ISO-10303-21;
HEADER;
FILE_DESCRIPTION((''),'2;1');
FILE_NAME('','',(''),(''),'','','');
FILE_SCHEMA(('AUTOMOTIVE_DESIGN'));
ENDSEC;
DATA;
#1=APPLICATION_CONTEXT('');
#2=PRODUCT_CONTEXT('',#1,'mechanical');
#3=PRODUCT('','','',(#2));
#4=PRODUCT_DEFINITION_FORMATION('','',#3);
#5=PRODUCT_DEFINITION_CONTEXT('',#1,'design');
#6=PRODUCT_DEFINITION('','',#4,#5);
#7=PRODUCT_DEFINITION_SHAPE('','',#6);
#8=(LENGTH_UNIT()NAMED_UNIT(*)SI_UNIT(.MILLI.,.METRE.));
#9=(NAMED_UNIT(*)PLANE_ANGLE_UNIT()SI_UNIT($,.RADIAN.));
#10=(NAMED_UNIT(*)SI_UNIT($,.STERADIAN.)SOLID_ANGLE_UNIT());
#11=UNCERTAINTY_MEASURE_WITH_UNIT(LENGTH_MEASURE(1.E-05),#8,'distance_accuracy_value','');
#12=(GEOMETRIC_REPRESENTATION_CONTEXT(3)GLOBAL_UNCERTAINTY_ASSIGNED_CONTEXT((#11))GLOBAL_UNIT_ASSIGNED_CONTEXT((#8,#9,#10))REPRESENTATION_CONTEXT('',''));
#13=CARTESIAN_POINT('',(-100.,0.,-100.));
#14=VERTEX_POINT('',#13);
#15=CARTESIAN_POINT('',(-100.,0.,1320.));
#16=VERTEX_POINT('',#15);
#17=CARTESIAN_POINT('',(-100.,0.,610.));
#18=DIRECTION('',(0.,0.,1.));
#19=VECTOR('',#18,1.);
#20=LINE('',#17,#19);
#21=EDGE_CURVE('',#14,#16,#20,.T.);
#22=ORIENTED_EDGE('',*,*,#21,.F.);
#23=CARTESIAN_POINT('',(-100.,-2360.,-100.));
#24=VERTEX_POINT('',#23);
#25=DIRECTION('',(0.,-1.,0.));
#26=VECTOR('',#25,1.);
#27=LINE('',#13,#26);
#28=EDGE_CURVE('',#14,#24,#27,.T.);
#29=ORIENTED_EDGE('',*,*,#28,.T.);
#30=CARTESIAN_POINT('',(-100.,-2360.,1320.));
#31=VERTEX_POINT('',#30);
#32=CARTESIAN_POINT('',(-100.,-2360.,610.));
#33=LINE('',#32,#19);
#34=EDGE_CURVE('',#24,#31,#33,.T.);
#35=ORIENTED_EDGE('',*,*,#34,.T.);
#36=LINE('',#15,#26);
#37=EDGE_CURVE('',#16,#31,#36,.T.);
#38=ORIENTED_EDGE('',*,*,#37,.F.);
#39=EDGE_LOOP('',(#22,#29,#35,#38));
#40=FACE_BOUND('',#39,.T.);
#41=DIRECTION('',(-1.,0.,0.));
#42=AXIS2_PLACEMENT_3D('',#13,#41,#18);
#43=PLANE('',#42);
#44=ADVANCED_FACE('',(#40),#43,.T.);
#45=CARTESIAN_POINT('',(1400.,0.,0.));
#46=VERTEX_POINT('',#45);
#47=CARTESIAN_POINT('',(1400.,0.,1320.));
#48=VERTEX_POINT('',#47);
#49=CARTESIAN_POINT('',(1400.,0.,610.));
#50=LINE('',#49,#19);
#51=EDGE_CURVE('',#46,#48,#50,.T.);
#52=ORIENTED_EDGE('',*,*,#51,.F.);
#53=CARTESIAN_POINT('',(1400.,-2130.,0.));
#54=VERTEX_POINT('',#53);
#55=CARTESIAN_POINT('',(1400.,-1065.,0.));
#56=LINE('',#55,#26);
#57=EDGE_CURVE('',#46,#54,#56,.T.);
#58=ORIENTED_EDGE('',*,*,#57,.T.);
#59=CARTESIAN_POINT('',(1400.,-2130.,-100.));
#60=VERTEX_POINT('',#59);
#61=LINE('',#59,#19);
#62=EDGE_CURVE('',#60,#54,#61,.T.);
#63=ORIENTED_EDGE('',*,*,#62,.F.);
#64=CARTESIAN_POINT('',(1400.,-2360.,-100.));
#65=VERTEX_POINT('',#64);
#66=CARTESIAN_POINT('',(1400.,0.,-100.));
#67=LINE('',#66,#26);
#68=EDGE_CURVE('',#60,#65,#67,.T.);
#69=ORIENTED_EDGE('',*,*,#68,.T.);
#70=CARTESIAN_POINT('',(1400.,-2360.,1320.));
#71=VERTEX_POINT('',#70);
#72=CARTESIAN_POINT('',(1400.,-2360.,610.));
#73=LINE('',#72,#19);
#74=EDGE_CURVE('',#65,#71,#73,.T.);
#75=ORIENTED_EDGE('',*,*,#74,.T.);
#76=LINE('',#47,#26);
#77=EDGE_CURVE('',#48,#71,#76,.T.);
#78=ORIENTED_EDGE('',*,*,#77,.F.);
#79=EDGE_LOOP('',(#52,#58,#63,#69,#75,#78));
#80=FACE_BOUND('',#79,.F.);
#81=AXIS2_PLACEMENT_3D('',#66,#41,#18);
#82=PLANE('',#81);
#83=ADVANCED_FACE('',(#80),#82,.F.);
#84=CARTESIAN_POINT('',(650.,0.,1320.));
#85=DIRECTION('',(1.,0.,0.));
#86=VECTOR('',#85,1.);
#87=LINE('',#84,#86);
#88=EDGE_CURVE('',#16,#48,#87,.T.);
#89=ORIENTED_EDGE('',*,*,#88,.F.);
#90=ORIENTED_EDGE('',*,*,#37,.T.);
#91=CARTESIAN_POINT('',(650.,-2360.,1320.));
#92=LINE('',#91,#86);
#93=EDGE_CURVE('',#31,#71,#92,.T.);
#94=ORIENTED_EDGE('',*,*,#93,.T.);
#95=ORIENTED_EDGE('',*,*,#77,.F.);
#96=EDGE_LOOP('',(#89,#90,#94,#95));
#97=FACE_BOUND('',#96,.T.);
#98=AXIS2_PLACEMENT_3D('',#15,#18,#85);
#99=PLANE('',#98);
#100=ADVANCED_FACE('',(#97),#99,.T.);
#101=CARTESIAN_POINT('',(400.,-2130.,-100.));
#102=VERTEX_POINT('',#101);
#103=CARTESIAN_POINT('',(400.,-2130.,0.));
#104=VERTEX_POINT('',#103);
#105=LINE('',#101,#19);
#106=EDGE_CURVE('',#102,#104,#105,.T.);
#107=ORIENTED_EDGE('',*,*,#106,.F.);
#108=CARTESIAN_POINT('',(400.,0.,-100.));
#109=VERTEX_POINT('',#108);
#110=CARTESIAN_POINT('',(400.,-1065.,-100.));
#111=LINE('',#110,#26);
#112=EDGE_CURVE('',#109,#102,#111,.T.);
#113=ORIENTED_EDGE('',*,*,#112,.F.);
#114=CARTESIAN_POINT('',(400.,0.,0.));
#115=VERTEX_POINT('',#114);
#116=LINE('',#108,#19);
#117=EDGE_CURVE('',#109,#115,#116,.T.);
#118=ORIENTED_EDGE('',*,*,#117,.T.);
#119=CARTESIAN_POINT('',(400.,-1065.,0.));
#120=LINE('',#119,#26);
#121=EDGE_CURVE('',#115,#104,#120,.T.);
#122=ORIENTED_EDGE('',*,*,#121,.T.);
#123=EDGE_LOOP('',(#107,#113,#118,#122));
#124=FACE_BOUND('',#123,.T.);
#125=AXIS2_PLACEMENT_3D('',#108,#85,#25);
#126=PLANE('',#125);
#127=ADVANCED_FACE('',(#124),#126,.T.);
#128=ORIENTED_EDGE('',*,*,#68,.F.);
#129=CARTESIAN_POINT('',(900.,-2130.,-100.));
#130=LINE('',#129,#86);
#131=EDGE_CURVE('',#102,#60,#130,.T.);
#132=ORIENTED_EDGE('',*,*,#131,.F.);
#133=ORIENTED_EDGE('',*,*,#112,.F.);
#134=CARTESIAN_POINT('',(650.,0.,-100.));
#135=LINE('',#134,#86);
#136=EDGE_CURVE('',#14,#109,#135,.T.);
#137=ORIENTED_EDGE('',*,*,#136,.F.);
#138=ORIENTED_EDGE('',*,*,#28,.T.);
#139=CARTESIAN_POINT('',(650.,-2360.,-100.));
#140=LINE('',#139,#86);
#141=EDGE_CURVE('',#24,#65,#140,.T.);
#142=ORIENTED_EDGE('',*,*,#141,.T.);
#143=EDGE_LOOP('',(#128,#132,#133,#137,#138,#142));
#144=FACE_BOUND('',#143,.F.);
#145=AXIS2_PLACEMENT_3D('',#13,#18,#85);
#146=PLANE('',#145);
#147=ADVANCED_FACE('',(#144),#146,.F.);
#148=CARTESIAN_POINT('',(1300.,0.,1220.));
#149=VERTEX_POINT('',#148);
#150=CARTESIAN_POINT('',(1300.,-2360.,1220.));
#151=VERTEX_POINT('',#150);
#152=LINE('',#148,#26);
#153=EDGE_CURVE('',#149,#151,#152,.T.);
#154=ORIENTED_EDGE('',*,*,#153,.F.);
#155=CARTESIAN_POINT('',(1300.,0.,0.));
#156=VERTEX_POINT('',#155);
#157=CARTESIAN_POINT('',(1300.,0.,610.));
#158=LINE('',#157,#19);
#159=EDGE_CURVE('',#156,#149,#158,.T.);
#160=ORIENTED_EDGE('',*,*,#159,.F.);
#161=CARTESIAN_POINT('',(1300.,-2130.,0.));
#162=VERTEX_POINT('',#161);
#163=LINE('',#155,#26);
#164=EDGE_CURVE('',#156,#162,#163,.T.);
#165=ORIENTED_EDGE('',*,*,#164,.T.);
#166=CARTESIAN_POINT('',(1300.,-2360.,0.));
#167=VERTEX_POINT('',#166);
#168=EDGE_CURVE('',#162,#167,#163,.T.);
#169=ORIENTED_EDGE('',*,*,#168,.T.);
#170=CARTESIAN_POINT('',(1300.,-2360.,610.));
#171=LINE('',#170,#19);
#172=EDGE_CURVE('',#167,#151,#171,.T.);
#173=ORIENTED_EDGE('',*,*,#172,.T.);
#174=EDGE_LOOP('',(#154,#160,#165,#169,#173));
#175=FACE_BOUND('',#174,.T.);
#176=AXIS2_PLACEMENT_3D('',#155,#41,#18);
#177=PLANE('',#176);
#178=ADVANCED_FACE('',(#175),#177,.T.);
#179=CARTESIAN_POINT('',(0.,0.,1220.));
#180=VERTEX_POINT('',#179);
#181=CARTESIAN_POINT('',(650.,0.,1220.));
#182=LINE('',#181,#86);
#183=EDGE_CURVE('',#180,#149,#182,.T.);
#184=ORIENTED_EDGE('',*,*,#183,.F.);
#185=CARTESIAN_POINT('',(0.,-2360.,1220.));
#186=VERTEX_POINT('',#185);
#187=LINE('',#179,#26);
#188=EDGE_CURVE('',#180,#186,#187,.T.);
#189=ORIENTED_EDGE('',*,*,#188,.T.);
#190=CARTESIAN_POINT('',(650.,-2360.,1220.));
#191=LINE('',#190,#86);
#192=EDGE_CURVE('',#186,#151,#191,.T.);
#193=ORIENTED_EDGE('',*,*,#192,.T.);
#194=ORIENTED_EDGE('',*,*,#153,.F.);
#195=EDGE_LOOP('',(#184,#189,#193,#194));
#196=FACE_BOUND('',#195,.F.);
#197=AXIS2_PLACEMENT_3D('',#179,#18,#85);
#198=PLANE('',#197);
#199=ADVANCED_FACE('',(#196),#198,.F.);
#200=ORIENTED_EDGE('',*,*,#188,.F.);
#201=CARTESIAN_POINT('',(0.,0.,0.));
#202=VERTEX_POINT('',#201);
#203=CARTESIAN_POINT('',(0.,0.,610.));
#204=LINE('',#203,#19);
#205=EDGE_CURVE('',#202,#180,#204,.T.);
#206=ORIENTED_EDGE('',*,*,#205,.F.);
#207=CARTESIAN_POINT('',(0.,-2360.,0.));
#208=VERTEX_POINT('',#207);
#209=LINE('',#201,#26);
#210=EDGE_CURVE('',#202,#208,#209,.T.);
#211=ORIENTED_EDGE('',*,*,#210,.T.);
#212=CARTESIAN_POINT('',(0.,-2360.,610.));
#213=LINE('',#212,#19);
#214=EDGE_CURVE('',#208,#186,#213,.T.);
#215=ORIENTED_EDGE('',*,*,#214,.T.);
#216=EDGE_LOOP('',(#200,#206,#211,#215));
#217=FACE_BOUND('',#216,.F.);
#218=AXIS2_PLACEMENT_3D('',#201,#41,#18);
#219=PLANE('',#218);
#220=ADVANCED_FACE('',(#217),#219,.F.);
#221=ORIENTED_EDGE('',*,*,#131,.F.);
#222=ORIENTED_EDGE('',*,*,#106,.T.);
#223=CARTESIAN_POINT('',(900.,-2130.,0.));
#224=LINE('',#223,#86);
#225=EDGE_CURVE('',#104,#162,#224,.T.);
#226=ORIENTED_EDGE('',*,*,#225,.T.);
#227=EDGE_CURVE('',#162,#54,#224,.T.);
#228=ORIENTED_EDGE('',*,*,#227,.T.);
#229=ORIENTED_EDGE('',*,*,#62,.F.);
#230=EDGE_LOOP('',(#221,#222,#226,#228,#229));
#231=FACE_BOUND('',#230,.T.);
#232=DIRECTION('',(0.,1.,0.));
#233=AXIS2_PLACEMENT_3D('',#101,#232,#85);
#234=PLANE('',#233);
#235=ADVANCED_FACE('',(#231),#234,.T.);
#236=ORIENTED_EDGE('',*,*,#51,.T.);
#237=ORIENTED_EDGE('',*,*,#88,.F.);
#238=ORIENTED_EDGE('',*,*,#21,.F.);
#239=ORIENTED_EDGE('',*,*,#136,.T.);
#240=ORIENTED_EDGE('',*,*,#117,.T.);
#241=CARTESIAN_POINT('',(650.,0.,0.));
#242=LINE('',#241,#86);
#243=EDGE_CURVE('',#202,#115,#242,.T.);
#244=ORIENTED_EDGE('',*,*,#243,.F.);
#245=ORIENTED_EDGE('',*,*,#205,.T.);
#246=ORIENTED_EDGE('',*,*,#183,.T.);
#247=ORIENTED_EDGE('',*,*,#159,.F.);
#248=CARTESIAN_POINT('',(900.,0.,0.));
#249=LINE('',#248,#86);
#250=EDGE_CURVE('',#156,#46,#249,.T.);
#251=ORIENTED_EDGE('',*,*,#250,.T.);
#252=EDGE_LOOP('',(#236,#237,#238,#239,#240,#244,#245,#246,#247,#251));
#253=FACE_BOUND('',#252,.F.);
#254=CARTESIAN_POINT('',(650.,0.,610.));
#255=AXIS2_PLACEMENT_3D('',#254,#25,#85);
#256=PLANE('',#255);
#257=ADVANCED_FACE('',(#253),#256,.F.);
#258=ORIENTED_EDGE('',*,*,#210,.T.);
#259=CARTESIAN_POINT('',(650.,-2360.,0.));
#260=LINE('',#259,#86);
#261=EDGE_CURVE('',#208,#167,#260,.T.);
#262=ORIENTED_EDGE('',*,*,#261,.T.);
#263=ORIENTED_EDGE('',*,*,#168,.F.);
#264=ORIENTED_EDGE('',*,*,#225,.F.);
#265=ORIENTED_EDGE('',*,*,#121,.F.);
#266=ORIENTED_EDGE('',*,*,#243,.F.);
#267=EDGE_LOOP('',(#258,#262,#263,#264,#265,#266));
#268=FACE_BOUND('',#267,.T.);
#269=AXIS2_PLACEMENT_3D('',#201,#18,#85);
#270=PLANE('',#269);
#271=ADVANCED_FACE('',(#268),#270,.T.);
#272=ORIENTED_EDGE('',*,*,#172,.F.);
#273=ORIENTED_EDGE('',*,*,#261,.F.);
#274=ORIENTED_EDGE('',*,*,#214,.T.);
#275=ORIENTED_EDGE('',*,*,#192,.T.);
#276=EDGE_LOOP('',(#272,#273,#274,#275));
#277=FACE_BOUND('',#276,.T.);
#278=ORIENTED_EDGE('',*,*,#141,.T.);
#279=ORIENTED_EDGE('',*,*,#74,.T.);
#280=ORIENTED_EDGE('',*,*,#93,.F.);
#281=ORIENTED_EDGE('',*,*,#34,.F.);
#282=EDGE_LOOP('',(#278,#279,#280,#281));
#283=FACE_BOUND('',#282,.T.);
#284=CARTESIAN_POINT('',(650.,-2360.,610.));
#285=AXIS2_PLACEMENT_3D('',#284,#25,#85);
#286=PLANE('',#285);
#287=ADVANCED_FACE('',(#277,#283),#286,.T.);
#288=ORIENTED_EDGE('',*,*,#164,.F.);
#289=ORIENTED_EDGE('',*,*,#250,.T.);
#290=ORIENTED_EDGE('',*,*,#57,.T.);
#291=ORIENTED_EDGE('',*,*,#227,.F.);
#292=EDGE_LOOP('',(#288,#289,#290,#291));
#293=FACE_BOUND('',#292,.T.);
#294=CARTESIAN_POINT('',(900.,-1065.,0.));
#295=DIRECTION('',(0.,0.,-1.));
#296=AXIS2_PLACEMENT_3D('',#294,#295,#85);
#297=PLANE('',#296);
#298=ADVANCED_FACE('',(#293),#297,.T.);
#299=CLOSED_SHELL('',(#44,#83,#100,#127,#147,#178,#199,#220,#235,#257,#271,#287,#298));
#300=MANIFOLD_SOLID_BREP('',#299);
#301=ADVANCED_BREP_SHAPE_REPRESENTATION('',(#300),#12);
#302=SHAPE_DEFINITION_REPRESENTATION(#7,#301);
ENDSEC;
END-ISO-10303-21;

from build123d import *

# Parameters (mm, degrees)
F1_W     = 1500
F1_H     = 1420
F1_W_2   = 1300
F1_H_2   = 1220
F2_DEPTH = 2360
F3_W     = 1000
F3_H     = 2130
F0_DEPTH = 100


with BuildPart() as f2:
    # F1 (on Front) → F2 (new body)
    with BuildSketch(Plane.XZ):
        with Locations((650, 610)):
            Rectangle(F1_W, F1_H)
        with Locations((650, 610)):
            Rectangle(F1_W_2, F1_H_2, mode=Mode.SUBTRACT)
    extrude(amount=F2_DEPTH)

    # F3 (on face) → F0 (cut)
    with BuildSketch(Plane(origin=(0, 0, -100), x_dir=(1, 0, 0), z_dir=(0, 0, -1))):
        with Locations((900, 1065)):
            Rectangle(F3_W, F3_H)
    extrude(amount=-F0_DEPTH, mode=Mode.SUBTRACT)


solid = f2.part
